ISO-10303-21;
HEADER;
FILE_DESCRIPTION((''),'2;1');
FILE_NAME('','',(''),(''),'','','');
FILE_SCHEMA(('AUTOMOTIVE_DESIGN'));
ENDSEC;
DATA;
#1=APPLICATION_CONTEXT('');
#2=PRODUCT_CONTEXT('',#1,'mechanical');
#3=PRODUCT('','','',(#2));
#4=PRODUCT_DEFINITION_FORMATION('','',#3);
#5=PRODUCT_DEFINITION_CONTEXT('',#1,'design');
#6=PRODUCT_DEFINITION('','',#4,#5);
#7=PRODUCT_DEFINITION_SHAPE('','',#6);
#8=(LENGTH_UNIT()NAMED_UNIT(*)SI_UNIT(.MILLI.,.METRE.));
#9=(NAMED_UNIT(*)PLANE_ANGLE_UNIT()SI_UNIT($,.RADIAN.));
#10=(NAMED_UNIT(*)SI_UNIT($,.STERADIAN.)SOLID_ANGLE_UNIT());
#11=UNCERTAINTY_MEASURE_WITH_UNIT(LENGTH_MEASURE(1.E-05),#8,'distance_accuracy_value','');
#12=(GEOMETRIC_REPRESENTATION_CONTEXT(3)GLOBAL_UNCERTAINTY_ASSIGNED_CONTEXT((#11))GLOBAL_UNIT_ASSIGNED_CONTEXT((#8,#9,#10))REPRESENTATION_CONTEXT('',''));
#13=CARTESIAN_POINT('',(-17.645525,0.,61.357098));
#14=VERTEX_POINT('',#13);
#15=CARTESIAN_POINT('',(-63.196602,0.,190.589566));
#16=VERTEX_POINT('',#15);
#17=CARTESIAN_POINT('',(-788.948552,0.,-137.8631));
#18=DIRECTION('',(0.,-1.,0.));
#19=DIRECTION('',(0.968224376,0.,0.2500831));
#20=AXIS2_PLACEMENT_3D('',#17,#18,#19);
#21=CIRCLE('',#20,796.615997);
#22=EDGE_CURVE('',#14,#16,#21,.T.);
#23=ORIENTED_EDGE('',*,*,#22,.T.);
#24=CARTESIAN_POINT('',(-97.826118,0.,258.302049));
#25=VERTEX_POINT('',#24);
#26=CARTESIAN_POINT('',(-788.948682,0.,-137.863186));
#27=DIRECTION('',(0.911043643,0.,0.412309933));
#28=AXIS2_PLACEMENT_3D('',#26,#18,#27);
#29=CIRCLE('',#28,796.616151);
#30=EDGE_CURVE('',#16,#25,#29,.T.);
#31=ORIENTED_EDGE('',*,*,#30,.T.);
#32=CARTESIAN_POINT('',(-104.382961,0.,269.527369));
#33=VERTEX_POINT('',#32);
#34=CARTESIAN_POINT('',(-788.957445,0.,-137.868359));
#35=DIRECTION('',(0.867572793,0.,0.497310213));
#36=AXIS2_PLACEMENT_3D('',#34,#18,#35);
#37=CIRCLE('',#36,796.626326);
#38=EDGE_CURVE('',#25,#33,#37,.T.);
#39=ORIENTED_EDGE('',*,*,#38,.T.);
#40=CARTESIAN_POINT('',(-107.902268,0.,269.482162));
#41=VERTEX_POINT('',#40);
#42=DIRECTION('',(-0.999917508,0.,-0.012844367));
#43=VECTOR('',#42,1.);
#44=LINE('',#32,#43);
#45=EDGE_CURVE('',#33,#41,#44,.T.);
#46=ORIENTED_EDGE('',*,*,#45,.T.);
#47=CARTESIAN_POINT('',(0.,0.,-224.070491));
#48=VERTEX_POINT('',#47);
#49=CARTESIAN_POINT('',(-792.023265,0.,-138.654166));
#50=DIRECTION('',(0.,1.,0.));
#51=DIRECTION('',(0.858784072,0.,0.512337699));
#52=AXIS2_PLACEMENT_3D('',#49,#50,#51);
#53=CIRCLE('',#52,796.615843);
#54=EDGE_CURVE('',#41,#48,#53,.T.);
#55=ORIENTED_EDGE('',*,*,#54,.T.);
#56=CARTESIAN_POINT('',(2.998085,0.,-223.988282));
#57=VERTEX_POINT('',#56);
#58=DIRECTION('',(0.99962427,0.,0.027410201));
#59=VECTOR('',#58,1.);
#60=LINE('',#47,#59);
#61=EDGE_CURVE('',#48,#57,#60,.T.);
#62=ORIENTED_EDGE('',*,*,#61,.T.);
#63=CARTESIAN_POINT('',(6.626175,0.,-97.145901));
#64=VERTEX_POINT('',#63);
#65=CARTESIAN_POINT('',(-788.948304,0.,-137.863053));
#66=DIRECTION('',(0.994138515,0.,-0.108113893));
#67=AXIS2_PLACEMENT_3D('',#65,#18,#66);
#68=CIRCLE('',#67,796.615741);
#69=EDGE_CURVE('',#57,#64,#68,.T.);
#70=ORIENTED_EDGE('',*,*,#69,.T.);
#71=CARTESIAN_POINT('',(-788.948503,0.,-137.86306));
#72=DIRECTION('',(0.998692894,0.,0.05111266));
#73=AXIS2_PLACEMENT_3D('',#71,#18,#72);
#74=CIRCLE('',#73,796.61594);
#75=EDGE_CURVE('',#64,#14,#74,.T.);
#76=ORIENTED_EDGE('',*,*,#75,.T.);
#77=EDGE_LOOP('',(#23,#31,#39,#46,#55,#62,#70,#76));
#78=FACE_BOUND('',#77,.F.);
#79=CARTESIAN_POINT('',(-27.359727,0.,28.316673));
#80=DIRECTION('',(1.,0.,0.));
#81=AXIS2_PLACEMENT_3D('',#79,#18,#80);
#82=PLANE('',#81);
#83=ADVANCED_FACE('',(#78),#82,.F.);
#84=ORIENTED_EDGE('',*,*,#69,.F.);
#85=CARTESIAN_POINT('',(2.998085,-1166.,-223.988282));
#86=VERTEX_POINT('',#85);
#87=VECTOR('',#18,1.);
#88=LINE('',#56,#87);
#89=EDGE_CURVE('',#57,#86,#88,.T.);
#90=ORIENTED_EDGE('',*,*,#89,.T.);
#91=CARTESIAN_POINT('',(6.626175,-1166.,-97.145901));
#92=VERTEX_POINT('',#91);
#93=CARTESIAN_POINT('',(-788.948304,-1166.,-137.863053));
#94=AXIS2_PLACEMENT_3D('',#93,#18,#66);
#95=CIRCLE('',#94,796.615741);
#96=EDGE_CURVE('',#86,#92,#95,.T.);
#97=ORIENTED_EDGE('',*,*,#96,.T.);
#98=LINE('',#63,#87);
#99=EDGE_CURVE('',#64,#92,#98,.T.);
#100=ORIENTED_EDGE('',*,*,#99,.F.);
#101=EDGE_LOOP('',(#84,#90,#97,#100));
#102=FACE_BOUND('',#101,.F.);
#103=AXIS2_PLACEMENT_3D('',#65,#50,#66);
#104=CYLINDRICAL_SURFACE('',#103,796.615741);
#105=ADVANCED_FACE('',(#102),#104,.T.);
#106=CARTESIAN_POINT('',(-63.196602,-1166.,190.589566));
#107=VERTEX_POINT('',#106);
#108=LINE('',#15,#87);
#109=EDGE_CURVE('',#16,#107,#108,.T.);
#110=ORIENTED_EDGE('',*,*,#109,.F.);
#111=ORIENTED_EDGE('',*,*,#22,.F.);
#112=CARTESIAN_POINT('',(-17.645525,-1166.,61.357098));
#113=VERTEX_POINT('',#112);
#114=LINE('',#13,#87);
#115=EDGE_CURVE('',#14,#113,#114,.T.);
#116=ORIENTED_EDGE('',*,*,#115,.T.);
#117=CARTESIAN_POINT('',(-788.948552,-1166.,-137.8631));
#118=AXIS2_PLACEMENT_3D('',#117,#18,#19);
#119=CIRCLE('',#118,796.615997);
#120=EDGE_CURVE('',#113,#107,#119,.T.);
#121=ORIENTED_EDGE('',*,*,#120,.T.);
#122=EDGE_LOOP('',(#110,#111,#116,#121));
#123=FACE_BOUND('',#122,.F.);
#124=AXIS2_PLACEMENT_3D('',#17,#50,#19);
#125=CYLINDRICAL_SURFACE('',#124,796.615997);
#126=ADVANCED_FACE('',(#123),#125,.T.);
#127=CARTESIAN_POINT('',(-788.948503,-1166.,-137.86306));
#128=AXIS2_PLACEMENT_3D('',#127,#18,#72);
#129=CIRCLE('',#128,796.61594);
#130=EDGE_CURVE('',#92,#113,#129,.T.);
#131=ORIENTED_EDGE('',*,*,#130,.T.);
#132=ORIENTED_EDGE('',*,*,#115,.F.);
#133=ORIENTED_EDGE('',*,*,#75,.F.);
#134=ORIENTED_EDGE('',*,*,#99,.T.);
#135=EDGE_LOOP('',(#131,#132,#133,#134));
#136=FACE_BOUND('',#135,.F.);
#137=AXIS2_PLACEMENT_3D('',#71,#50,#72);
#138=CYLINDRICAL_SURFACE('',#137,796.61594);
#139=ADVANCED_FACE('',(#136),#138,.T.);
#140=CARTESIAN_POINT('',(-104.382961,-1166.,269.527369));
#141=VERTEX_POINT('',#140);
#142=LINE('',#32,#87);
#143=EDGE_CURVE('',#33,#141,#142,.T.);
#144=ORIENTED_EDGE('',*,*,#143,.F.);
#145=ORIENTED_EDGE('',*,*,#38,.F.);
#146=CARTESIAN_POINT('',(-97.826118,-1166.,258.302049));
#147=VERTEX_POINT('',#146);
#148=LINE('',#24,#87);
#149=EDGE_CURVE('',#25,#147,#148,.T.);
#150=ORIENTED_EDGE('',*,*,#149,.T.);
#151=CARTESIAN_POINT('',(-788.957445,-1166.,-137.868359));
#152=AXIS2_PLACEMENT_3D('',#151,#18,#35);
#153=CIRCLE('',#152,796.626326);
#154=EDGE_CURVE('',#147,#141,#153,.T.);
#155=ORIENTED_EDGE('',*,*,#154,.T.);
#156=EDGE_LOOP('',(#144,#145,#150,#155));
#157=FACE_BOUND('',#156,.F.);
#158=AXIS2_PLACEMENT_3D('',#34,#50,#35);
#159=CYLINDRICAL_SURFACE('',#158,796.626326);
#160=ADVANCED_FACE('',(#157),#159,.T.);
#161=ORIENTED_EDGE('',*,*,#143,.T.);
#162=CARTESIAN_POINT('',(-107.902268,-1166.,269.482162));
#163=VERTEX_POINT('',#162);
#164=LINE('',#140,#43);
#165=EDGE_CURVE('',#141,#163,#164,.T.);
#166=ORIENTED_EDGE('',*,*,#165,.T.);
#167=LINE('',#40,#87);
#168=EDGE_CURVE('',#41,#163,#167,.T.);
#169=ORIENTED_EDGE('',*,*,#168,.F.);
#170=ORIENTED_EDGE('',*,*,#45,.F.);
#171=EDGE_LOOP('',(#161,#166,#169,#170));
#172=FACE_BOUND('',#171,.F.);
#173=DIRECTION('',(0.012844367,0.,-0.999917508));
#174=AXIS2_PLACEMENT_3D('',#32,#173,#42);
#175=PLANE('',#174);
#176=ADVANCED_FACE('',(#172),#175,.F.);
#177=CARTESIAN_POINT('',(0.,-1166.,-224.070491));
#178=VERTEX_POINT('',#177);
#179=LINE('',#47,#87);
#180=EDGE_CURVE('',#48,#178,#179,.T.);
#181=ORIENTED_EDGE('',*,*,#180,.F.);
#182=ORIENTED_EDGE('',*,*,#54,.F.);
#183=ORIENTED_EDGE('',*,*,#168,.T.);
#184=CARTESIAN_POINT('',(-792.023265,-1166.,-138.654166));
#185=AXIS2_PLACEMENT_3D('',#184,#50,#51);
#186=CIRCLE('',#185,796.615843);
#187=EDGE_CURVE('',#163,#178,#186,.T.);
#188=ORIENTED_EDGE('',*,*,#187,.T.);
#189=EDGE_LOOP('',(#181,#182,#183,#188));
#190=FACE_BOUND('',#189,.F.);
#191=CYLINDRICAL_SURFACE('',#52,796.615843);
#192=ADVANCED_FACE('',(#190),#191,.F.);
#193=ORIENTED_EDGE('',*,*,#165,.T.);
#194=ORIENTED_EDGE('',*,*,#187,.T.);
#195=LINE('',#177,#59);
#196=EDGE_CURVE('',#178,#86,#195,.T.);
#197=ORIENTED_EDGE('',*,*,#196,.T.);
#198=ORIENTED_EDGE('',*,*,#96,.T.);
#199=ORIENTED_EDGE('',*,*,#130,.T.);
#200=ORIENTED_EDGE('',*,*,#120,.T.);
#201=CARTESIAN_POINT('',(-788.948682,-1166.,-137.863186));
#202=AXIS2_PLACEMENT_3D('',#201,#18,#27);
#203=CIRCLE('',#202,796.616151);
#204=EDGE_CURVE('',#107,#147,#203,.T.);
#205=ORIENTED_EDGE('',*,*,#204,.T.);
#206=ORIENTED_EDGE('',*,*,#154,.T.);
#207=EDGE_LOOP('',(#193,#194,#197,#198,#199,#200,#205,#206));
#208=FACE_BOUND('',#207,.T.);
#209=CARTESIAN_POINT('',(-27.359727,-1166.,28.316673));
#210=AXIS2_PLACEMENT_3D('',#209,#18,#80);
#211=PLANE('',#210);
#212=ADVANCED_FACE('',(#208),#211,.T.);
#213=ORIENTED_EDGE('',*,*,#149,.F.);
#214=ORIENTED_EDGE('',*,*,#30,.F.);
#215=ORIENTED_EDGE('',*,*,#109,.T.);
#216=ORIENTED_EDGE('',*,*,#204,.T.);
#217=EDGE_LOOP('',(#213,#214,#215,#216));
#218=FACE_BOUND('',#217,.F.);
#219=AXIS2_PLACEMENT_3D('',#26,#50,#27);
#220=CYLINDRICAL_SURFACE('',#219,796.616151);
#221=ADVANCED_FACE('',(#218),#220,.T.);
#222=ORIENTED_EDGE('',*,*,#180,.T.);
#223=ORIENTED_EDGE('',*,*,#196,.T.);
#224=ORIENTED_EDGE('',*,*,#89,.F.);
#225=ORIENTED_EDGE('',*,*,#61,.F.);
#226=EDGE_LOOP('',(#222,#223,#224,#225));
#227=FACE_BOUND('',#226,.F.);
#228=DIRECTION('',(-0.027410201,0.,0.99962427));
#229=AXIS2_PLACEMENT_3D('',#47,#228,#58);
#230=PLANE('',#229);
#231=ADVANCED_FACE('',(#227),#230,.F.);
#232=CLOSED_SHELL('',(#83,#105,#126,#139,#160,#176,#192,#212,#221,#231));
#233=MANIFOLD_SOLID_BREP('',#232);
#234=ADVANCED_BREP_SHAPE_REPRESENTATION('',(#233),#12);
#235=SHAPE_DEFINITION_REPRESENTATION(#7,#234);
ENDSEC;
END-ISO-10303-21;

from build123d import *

# Parameters (mm, degrees)
F1_DEPTH = 1166


with BuildPart() as f1:
    # F0 (on Front) → F1 (new body)
    with BuildSketch(Plane.XZ):
        with BuildLine():
            Line((0, -224.070491), (2.998085, -223.988282))
            ThreePointArc((2.998085, -223.988282), (7.341765, -160.639447), (6.626175, -97.145901))
            ThreePointArc((6.626175, -97.145901), (-1.511396, -17.282142), (-17.645525, 61.357098))
            ThreePointArc((-17.645525, 61.357098), (-37.637259, 126.95455), (-63.196602, 190.589566))
            ThreePointArc((-63.196602, 190.589566), (-79.702826, 224.859308), (-97.826118, 258.302049))
            ThreePointArc((-97.826118, 258.302049), (-101.081641, 263.928084), (-104.382961, 269.527369))
            Line((-104.382961, 269.527369), (-107.902268, 269.482162))
            ThreePointArc((-107.902268, 269.482162), (-13.788708, 31.486291), (0, -224.070491))
        make_face()
    extrude(amount=F1_DEPTH)


solid = f1.part
